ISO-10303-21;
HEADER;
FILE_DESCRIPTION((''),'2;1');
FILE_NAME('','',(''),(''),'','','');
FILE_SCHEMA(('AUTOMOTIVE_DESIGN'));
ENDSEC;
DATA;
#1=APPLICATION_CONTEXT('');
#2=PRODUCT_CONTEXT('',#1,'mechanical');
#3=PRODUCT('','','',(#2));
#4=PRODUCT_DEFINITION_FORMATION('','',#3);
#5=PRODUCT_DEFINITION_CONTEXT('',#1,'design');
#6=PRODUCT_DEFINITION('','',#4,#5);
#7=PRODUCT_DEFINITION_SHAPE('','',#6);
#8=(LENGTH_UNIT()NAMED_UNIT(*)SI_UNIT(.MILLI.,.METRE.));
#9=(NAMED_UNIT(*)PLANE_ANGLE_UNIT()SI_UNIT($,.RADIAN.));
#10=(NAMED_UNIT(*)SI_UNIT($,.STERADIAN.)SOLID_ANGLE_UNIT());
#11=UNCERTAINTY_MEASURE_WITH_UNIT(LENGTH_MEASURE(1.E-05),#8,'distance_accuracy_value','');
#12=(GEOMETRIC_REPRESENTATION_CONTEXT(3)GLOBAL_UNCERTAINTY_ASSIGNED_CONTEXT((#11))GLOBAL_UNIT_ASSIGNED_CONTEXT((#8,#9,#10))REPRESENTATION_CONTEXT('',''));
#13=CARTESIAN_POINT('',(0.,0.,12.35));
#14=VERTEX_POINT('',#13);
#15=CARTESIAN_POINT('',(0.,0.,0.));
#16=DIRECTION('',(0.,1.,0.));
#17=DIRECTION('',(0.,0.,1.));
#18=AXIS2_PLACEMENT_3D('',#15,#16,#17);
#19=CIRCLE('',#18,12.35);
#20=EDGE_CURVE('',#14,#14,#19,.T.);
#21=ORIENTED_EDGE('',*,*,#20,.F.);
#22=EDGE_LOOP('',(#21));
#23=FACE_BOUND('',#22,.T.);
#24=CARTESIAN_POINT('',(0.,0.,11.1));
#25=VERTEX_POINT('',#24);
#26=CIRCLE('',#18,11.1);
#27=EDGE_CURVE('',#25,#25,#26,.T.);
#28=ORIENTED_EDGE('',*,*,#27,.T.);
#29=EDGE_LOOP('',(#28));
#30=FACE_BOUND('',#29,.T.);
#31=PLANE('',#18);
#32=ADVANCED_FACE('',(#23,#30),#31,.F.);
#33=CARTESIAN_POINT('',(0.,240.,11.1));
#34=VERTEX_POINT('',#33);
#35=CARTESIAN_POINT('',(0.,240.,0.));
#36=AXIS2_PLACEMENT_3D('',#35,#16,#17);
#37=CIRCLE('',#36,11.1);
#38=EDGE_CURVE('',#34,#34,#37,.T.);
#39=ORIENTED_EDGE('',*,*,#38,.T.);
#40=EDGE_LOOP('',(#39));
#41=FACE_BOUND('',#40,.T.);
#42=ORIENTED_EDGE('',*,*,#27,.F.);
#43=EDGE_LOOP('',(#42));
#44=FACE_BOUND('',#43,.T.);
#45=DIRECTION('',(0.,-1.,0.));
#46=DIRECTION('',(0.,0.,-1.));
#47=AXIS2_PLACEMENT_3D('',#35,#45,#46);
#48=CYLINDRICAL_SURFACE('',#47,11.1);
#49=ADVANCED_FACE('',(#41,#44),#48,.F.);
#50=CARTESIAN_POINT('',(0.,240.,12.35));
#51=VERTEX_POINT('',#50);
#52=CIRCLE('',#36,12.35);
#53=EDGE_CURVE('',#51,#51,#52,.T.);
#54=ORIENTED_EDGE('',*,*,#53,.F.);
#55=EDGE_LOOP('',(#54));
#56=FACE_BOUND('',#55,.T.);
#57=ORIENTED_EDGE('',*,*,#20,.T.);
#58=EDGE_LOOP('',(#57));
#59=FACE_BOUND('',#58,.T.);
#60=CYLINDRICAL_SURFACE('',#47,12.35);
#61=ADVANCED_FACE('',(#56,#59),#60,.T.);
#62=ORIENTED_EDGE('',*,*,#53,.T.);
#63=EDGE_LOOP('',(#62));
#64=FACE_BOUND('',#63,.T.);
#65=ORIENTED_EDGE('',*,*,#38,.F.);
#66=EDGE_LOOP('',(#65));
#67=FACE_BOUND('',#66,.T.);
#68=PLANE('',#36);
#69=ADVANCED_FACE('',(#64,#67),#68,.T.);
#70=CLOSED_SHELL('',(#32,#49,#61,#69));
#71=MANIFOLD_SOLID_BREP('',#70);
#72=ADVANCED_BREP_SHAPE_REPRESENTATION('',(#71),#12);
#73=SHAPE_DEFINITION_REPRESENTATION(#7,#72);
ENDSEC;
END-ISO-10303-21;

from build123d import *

# Parameters (mm, degrees)
SKETCH_1_R      = 12.35
SKETCH_1_R_2    = 11.1
EXTRUDE_1_DEPTH = 240


with BuildPart() as part:
    # Эскиз1 → Вытянуть1 (new body)
    with BuildSketch(Plane(origin=(0, 0, 0), x_dir=(1, 0, 0), z_dir=(0, 1, 0))):
        with Locations(Location((0, 0, 0), (0, 0, 270))):
            Circle(SKETCH_1_R)
        with Locations(Location((0, 0, 0), (0, 0, 270))):
            Circle(SKETCH_1_R_2, mode=Mode.SUBTRACT)
    extrude(amount=EXTRUDE_1_DEPTH)


solid = part.part
